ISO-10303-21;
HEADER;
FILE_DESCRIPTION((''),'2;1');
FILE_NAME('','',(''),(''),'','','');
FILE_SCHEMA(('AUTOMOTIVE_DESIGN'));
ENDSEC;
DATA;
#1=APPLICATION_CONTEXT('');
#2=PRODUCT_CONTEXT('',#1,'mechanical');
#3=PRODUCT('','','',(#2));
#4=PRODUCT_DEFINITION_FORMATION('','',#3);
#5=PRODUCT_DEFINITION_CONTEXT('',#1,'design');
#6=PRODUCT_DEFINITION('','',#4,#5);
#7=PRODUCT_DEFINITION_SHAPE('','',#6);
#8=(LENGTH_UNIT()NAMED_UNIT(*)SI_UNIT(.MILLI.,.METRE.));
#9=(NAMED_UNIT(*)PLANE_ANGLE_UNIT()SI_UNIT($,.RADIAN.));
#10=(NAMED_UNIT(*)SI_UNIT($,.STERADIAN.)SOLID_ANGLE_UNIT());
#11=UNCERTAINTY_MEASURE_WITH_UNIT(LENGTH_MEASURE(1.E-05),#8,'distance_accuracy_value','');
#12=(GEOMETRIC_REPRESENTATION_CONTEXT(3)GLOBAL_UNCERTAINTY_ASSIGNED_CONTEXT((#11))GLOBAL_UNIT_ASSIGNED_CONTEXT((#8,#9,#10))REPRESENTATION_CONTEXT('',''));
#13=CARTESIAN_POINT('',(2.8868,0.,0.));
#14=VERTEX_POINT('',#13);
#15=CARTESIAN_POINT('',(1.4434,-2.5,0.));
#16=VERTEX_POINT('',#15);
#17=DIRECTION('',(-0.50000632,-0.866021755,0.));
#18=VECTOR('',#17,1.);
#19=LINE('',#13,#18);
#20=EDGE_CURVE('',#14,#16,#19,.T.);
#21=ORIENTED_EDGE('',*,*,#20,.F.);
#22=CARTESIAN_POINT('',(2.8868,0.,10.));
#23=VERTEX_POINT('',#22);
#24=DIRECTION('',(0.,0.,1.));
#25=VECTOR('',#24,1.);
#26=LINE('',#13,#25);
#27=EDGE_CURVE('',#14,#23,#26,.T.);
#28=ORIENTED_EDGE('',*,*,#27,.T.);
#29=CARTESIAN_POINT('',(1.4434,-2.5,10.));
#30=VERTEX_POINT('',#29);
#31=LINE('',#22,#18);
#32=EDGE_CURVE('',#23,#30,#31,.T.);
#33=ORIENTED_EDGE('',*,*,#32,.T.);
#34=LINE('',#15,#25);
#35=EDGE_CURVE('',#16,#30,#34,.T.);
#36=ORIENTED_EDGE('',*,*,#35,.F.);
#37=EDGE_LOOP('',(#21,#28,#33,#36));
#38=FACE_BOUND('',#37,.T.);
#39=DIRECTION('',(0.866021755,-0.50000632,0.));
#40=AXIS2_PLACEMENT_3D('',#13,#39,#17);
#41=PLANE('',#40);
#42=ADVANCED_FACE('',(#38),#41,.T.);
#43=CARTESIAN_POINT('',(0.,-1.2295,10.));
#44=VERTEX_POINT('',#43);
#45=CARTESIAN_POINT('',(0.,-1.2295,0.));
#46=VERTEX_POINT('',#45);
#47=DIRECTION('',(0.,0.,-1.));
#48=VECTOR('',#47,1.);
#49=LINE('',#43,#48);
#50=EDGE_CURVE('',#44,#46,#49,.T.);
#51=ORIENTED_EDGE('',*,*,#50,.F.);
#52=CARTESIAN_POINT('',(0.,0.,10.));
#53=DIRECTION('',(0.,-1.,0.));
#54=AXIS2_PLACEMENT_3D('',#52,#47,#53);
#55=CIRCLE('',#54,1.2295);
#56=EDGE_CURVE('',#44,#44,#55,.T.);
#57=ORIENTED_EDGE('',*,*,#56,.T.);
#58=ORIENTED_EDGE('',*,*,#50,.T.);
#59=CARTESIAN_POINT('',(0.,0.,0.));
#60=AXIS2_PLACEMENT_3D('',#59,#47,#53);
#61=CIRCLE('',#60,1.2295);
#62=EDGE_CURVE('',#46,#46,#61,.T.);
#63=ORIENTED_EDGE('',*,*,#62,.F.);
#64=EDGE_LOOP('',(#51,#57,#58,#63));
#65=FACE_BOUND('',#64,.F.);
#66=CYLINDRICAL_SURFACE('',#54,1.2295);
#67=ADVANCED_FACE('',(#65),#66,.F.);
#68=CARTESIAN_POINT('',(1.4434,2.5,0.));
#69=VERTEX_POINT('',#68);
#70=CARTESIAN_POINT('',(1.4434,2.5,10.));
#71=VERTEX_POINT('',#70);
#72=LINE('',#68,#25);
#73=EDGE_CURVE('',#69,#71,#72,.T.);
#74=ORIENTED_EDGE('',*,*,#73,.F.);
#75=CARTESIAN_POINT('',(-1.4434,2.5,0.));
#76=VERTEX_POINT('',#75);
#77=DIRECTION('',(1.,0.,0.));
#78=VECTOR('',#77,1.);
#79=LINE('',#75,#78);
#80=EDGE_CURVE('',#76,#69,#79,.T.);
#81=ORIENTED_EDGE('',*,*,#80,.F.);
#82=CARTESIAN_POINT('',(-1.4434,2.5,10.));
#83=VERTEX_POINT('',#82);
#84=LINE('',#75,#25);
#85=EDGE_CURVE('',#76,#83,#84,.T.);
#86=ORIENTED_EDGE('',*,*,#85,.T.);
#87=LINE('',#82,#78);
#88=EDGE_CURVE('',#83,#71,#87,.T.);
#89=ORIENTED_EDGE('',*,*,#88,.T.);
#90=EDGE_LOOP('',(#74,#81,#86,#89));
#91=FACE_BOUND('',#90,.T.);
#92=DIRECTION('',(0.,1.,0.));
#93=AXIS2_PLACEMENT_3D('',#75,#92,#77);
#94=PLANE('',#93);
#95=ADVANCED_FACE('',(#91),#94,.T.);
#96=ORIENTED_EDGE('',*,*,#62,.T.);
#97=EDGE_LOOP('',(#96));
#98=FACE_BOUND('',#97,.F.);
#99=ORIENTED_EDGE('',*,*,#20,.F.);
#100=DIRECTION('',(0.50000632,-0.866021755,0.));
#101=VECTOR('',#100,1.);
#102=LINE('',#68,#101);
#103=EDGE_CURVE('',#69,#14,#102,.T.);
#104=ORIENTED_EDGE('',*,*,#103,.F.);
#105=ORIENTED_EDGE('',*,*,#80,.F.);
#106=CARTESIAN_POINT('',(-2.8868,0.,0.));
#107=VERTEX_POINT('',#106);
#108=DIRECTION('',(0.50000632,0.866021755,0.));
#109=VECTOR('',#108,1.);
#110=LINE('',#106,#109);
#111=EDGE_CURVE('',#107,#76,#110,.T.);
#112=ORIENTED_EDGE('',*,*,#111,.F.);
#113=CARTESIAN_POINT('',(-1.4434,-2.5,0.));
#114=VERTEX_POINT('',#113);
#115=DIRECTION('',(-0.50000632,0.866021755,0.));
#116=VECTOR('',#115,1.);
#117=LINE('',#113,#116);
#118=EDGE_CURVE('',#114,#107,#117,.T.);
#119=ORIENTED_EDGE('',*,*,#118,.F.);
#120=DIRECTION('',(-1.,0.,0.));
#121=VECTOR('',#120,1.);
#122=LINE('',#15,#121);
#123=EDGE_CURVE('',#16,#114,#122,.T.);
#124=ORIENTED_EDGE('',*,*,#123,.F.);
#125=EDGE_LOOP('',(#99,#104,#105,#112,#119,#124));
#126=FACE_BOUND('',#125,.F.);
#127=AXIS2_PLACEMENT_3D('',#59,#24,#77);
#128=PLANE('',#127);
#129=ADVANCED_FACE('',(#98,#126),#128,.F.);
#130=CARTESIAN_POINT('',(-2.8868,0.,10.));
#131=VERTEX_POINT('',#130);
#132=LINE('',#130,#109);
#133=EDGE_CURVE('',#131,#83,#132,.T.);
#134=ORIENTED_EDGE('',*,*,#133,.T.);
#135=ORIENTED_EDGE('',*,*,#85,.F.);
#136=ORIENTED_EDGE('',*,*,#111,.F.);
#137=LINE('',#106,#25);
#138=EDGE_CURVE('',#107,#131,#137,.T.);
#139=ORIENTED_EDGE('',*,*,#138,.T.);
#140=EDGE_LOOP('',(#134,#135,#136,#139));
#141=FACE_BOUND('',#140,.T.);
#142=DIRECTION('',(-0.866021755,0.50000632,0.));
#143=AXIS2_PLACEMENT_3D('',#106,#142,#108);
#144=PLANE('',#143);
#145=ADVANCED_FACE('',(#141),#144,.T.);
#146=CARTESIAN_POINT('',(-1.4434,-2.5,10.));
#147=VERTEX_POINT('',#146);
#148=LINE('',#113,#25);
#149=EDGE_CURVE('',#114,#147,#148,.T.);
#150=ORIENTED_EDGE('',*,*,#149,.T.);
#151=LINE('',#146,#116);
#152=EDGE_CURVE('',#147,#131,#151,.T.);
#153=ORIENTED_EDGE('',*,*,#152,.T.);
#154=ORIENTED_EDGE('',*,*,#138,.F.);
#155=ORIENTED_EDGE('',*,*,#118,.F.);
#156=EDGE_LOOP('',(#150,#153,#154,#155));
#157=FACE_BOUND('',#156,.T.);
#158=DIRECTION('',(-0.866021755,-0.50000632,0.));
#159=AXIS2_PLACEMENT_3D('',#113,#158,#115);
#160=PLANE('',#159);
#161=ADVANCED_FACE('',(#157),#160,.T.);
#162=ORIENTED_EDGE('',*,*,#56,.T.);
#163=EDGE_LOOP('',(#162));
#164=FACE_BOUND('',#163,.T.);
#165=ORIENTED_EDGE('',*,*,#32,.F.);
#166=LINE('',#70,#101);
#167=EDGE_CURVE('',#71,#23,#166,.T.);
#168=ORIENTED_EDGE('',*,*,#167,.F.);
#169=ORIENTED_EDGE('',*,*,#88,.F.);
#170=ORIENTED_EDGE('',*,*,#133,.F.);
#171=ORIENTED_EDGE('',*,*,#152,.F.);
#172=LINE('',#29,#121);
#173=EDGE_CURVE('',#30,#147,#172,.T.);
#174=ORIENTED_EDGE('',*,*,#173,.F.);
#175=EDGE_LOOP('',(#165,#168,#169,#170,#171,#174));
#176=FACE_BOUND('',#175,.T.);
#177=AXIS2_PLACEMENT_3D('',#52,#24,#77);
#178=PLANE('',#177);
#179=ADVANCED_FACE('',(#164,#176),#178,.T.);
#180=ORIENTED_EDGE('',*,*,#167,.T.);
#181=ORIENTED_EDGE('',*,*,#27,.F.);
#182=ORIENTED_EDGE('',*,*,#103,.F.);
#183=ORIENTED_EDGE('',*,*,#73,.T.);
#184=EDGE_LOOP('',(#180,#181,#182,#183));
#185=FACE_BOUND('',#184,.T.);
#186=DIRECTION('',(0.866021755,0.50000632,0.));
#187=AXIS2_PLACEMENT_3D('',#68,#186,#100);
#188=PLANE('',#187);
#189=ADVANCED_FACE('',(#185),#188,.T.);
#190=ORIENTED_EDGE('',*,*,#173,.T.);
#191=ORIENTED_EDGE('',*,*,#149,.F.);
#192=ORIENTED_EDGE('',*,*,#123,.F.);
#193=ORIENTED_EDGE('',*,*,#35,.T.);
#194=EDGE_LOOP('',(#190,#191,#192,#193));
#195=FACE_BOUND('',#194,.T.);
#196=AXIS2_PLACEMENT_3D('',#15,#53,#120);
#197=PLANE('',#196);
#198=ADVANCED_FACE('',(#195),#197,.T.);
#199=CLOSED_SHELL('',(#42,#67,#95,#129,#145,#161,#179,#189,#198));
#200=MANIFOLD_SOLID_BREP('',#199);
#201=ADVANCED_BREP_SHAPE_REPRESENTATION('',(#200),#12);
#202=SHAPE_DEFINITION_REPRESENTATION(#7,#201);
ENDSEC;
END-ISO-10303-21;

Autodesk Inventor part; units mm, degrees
ref_plane "YZ Plane" through (0, 0, 0) normal (1, 0, 0) x (0, 1, 0)
ref_plane "XZ Plane" through (0, 0, 0) normal (0, 1, 0) x (-1, 0, 0)
ref_plane "XY Plane" through (0, 0, 0) normal (0, 0, 1) x (1, 0, 0)
sketch "Sketch1" plane through (0, 0, 0) normal (0, 0, 1) x (1, 0, 0)
  line L0 (2.8868, 0) -> (1.4434, -2.5)
  line L1 (1.4434, -2.5) -> (-1.4434, -2.5)
  line L2 (-1.4434, -2.5) -> (-2.8868, 0)
  line L3 (-2.8868, 0) -> (-1.4434, 2.5)
  line L4 (-1.4434, 2.5) -> (1.4434, 2.5)
  line L5 (1.4434, 2.5) -> (2.8868, 0)
  point P0 (0, 0)
  point P1 (0, 0)
  dimension "d0" = 5
extrude "Extrusion1" add sketch "Sketch1" along normal blind 10
sketch "Sketch2" plane through (0, 0, 10) normal (0, 0, 1) x (1, 0, 0)
  point P0 (0, 0)
  point P1 (0, 0)
hole "Hole1" at (0, 0, 10) direction (0, 0, -1) diameter 2.459 end through all thread size "M3x0.5" class "6H" standard "ISO Metric profile"
properties part number "Abstandshalter_10mm" material "Stainless Steel"
